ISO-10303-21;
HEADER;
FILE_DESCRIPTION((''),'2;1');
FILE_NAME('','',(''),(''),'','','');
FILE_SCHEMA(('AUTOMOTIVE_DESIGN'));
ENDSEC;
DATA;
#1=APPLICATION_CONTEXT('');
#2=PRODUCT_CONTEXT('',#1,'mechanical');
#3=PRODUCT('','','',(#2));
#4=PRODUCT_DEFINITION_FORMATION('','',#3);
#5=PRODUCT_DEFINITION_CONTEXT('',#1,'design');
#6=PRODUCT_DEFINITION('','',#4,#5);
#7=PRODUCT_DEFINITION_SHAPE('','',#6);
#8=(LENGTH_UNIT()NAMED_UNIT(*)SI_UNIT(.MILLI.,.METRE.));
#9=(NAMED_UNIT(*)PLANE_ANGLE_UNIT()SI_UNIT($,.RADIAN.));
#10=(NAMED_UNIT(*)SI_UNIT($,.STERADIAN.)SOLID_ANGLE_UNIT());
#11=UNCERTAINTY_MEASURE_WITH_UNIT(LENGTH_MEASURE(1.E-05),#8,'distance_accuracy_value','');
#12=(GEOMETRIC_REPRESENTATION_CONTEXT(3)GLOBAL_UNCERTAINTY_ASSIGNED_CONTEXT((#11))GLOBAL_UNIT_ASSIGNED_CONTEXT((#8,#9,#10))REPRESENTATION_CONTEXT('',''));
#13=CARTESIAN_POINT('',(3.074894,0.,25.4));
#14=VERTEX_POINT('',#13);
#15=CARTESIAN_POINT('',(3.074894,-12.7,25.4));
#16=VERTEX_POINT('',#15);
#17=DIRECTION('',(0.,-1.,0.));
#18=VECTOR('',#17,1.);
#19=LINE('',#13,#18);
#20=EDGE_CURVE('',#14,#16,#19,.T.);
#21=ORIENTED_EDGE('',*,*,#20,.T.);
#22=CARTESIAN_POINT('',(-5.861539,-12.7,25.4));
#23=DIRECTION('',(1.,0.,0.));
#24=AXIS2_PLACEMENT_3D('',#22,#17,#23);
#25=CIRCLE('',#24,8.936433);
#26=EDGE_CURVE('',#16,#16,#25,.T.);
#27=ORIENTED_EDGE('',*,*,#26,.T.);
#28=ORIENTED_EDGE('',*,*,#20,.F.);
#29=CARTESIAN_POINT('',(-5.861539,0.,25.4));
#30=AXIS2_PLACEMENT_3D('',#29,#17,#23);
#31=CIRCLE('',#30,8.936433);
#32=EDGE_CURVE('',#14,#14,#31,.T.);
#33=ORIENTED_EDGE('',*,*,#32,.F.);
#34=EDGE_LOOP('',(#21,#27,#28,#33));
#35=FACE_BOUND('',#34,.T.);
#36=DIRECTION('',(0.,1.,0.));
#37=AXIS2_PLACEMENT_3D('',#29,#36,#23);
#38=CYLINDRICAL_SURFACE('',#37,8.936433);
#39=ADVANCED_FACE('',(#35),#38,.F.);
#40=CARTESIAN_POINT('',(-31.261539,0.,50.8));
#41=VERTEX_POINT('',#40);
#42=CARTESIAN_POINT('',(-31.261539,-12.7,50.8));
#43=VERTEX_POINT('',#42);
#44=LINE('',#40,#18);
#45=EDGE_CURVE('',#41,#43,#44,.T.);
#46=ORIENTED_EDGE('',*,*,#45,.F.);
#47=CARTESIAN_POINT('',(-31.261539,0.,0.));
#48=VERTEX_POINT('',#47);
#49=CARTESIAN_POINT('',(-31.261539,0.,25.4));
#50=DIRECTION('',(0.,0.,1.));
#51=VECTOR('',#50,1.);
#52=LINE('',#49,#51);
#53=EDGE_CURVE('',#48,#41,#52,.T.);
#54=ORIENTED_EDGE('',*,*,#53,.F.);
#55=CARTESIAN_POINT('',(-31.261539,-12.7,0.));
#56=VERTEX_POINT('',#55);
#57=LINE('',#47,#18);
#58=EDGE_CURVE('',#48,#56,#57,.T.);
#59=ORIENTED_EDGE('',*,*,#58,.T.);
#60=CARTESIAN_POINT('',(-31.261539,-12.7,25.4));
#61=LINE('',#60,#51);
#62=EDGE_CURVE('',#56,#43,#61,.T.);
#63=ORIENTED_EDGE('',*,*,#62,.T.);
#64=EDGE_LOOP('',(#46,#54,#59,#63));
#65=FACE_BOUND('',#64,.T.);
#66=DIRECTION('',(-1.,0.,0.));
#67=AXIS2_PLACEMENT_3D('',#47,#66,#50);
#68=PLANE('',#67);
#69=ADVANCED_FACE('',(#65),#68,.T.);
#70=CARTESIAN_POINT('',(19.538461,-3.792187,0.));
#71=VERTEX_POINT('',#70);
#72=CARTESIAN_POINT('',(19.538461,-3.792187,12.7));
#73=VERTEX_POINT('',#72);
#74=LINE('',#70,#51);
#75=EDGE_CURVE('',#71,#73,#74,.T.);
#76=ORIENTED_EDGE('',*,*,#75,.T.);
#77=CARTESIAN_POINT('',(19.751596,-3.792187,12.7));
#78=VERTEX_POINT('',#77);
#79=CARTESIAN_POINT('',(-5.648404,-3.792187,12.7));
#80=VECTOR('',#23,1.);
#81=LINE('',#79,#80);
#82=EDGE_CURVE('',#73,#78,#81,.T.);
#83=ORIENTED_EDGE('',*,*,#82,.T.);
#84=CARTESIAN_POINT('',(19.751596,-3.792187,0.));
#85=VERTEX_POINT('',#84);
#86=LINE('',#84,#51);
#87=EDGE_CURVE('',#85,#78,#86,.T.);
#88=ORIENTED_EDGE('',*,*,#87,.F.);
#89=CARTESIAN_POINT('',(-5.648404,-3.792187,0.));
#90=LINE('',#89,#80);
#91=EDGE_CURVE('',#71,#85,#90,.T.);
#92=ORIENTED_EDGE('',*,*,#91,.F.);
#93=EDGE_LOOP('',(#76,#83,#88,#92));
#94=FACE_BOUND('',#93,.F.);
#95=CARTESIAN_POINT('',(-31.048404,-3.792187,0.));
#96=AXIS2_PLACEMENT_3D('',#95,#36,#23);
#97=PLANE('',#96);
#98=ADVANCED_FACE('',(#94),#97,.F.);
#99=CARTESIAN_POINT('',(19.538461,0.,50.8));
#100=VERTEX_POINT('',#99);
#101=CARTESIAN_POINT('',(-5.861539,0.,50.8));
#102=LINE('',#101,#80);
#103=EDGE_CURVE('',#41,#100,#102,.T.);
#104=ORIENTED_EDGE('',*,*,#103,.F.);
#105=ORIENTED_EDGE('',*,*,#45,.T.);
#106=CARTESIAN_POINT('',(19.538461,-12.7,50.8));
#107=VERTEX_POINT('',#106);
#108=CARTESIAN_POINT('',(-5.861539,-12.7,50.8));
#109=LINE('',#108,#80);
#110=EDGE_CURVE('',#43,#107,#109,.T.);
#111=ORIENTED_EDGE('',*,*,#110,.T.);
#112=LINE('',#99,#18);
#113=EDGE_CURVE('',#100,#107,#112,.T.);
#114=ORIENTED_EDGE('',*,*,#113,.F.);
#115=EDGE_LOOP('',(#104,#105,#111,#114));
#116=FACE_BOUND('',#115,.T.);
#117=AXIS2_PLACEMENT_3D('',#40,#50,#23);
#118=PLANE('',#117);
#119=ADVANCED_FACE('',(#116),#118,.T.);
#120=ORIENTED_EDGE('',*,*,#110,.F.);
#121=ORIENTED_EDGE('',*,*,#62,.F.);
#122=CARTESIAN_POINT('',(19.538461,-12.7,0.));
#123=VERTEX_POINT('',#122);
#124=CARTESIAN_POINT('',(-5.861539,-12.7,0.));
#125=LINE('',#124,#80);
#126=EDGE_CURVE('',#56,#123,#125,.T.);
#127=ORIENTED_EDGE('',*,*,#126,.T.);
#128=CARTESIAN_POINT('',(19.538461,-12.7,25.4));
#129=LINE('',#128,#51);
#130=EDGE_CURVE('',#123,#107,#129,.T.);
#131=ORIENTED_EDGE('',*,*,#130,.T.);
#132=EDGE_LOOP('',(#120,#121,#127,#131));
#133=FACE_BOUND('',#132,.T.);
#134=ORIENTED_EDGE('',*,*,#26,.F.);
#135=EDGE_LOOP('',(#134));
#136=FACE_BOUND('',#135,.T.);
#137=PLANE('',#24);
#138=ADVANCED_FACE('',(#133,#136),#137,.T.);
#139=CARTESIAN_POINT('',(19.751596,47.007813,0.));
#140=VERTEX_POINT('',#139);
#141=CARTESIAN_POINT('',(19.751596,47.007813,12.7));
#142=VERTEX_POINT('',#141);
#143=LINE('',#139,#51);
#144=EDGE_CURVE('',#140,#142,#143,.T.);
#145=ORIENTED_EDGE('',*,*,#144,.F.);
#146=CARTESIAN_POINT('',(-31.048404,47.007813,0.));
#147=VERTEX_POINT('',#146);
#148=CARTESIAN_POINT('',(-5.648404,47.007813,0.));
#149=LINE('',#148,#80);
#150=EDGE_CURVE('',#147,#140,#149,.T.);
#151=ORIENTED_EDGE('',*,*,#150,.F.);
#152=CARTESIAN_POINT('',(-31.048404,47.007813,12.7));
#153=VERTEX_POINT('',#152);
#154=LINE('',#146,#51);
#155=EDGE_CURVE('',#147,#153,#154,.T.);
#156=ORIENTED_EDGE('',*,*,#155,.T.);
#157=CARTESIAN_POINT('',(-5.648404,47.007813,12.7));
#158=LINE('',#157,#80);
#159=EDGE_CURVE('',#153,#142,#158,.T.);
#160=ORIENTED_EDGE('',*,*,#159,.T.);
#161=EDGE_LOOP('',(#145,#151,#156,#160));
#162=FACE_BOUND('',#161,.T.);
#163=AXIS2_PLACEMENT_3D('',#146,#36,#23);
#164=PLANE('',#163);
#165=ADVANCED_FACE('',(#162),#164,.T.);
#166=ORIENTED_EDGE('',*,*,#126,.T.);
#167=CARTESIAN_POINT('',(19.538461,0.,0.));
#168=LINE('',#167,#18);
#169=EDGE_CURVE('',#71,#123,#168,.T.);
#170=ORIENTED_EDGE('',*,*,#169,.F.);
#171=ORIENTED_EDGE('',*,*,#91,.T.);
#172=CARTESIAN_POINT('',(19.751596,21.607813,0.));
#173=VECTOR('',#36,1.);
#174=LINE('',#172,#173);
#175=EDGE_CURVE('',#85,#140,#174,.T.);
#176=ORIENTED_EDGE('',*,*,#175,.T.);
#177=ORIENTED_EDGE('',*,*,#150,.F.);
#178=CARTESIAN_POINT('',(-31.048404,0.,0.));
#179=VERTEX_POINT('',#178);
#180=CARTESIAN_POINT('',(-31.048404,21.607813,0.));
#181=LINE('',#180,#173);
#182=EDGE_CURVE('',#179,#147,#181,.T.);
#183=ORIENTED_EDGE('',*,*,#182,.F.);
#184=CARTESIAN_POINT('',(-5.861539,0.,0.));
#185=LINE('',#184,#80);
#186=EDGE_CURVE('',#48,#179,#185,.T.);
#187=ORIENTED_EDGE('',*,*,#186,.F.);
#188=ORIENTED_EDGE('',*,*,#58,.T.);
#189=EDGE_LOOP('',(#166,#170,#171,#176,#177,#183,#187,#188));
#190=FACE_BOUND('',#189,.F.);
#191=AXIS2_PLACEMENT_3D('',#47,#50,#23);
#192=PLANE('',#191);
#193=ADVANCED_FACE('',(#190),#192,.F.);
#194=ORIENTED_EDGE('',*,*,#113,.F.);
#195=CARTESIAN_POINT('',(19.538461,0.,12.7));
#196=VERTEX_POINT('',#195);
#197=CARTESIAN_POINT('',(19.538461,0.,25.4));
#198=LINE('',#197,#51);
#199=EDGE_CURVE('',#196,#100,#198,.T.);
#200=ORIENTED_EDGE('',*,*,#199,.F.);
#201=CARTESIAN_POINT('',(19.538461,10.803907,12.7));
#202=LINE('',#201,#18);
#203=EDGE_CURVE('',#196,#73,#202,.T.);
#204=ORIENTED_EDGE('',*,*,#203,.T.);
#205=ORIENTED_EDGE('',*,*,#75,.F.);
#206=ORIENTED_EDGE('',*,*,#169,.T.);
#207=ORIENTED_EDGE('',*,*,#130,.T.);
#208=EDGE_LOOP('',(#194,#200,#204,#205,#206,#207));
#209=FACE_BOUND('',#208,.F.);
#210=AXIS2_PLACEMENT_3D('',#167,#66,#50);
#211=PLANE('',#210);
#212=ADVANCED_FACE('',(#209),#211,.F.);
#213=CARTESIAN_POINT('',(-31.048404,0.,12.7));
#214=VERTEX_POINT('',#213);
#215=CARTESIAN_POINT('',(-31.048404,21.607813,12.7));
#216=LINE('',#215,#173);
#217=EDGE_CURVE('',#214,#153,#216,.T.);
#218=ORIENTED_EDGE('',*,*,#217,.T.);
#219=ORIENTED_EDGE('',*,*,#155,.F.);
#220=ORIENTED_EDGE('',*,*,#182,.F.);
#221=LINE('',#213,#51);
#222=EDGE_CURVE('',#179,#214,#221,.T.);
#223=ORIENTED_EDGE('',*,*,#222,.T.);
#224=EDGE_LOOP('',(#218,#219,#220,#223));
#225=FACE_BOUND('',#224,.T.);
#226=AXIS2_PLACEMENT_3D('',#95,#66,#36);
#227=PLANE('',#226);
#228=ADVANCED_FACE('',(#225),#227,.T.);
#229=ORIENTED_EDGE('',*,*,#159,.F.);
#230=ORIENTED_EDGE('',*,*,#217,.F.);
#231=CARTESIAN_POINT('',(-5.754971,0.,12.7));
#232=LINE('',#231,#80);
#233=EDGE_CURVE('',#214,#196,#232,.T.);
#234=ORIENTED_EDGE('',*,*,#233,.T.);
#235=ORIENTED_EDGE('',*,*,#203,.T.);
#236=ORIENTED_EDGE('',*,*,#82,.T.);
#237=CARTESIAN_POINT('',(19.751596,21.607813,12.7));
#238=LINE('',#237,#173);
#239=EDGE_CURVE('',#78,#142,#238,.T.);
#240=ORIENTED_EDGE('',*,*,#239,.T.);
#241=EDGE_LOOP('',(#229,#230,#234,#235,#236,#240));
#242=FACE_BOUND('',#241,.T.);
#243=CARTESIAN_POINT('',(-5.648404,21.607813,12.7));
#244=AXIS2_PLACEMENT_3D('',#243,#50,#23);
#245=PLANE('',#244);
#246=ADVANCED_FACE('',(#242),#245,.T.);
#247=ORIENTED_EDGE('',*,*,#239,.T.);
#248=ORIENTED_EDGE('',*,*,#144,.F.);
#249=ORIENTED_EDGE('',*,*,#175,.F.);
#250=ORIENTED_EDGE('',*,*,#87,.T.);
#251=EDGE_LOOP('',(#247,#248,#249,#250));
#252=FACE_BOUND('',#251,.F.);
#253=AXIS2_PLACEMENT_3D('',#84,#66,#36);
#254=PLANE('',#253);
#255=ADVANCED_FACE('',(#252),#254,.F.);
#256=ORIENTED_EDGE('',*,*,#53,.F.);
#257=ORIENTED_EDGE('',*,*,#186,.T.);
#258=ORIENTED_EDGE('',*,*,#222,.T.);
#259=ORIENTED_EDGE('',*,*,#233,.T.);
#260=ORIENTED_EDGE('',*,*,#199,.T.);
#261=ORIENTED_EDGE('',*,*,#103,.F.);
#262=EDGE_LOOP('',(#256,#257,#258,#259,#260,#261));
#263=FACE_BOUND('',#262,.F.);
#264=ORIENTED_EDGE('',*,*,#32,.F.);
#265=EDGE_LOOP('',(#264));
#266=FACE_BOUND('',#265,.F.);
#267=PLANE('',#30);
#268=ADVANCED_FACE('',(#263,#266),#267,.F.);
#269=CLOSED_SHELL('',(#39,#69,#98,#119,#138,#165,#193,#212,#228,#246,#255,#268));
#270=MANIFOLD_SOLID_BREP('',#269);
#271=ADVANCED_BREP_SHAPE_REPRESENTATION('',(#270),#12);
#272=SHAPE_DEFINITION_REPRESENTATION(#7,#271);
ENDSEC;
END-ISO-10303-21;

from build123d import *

# Parameters (mm, degrees)
F0_W     = 50.8
F0_H     = 50.8
F1_DEPTH = 12.7
F2_W     = 50.8
F2_H     = 50.8
F2_R     = 8.936433
F3_DEPTH = 12.7
F4_DEPTH = 12.7


with BuildPart() as f1:
    # F0 (on Top) → F1 (new body)
    with BuildSketch(Plane.XY):
        with Locations((-5.648404, 21.607813)):
            Rectangle(F0_W, F0_H)
    extrude(amount=F1_DEPTH)

    # F2 (on Front) → F3 (join)
    with BuildSketch(Plane.XZ):
        with Locations((-5.861539, 25.4)):
            Rectangle(F2_W, F2_H)
        with Locations((-5.861539, 25.4)):
            Circle(F2_R, mode=Mode.SUBTRACT)
    extrude(amount=F3_DEPTH)

    # F2 (on Front) → F4 (join)
    with BuildSketch(Plane.XZ):
        with Locations((-5.861539, 25.4)):
            Rectangle(F2_W, F2_H)
        with Locations((-5.861539, 25.4)):
            Circle(F2_R, mode=Mode.SUBTRACT)
    extrude(amount=F4_DEPTH)


solid = f1.part
